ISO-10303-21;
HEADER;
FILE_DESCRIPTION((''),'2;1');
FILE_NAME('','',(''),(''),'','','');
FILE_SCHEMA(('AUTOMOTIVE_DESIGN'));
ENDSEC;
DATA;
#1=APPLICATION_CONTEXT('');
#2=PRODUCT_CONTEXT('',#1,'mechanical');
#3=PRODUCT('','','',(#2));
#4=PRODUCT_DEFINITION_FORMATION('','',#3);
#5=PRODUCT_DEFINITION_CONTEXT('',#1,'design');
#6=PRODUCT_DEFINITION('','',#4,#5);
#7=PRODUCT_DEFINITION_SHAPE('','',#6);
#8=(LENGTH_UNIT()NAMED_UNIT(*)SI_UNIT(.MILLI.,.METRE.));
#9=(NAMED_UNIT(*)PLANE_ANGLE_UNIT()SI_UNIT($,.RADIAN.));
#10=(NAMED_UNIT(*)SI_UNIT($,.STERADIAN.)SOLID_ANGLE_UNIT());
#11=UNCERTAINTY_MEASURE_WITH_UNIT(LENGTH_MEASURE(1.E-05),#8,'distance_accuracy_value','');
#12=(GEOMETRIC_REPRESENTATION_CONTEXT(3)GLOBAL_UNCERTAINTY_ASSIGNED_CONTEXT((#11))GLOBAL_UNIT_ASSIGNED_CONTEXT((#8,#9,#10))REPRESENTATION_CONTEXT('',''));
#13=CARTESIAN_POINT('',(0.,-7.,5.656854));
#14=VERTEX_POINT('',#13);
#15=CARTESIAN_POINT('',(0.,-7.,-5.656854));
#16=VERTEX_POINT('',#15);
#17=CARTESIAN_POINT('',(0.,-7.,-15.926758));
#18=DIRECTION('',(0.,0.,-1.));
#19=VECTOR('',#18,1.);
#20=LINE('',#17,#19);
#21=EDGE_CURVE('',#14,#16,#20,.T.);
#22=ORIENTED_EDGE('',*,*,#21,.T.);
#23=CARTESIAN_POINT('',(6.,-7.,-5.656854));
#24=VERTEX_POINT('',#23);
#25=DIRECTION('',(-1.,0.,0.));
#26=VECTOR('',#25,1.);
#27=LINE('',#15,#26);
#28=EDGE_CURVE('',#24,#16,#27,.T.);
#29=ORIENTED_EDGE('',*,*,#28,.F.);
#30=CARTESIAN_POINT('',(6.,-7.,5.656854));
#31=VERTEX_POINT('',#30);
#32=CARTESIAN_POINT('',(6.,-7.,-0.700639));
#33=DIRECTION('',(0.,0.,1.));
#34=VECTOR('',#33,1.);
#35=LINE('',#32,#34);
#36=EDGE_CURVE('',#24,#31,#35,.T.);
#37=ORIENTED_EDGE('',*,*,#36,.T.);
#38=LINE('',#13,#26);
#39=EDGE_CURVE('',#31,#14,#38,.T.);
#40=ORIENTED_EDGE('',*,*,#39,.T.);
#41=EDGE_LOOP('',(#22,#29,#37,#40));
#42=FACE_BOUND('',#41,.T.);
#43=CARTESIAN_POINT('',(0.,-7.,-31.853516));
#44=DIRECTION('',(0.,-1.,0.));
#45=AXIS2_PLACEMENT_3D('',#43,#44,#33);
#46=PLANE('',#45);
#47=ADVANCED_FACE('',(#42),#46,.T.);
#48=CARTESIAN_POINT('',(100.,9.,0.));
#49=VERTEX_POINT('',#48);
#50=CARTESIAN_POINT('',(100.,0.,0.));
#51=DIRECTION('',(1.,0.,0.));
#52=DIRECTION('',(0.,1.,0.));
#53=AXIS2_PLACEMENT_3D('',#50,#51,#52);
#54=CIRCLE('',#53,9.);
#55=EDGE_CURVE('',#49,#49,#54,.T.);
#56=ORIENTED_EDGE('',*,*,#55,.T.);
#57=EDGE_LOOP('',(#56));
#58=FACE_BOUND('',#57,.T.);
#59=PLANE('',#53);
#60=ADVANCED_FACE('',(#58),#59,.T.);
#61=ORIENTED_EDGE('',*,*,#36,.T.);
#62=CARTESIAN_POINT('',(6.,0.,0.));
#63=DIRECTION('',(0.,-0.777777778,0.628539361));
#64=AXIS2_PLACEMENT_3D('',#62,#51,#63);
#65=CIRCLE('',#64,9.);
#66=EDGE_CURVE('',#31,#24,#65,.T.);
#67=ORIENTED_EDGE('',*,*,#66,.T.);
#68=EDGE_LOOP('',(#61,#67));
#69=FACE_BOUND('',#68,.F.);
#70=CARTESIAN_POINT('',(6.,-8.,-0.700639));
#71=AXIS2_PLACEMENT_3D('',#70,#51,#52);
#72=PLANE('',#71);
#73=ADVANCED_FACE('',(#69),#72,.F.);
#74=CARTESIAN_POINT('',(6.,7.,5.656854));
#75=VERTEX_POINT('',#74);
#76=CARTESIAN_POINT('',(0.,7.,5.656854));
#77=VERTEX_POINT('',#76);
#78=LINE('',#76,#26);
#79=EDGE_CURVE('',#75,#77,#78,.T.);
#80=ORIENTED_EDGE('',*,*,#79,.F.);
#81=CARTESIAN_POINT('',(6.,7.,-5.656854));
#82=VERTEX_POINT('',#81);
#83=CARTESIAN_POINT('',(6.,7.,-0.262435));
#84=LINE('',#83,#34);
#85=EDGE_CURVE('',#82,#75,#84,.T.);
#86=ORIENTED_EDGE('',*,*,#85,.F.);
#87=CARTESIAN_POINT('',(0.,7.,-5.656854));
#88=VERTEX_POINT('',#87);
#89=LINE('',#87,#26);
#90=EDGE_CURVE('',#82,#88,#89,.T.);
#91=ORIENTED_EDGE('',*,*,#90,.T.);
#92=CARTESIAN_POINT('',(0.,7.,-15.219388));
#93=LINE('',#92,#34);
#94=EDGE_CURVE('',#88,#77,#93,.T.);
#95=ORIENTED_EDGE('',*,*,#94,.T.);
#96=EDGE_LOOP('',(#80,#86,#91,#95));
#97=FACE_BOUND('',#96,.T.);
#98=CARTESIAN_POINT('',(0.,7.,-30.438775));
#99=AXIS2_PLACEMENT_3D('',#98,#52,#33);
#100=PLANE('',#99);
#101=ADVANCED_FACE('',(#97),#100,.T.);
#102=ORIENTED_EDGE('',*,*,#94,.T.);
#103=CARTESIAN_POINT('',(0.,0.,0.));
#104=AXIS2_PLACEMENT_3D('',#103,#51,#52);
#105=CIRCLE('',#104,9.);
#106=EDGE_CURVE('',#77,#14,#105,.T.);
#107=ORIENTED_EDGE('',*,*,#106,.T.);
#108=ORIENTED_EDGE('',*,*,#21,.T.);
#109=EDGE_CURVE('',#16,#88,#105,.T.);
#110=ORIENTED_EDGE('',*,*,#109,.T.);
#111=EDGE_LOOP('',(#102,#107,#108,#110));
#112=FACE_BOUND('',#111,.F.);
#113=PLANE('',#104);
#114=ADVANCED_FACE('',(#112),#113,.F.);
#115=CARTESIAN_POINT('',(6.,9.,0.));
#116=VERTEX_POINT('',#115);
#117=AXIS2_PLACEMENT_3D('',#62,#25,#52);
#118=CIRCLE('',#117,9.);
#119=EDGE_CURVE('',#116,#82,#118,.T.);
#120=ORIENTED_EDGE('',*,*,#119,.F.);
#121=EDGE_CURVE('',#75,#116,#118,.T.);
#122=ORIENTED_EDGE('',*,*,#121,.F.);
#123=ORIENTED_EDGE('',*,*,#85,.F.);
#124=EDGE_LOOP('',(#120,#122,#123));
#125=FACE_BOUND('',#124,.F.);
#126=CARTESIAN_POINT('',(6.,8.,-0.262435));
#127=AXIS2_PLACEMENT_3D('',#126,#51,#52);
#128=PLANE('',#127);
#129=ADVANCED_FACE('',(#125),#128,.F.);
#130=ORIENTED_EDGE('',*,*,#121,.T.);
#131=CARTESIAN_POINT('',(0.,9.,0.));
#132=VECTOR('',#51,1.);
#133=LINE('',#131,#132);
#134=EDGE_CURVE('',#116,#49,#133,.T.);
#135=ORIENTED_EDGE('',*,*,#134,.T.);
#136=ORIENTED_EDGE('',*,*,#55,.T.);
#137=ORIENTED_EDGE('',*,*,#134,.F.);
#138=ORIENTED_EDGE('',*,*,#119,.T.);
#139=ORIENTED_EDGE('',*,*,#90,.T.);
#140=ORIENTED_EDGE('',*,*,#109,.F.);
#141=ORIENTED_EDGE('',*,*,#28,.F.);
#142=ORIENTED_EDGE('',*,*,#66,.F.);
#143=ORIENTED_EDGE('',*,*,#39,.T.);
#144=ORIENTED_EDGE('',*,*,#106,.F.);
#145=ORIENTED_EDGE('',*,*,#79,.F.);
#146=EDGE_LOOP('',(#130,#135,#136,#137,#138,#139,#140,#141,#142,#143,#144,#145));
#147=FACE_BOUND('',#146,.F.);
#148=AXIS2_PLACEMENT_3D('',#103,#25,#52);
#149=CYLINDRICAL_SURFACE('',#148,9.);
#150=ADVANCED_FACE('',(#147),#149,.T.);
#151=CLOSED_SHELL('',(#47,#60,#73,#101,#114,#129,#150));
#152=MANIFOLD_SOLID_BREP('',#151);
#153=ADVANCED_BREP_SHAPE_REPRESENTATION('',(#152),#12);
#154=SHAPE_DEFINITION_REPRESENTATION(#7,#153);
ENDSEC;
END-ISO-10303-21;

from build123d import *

# Parameters (mm, degrees)
F0_R     = 9
F1_DEPTH = 100
F2_W     = 2
F2_H     = 62.305753
F2_H_2   = 60.352681
F3_DEPTH = 6


with BuildPart() as f1:
    # F0 (on Right) → F1 (new body)
    with BuildSketch(Plane.YZ):
        Circle(F0_R)
    extrude(amount=F1_DEPTH)

    # F2 (on Right) → F3 (cut, symmetric)
    with BuildSketch(Plane.YZ):
        with Locations((-8, -0.700639)):
            Rectangle(F2_W, F2_H)
        with Locations((8, -0.262435)):
            Rectangle(F2_W, F2_H_2)
    extrude(amount=F3_DEPTH, both=True, mode=Mode.SUBTRACT)


solid = f1.part
